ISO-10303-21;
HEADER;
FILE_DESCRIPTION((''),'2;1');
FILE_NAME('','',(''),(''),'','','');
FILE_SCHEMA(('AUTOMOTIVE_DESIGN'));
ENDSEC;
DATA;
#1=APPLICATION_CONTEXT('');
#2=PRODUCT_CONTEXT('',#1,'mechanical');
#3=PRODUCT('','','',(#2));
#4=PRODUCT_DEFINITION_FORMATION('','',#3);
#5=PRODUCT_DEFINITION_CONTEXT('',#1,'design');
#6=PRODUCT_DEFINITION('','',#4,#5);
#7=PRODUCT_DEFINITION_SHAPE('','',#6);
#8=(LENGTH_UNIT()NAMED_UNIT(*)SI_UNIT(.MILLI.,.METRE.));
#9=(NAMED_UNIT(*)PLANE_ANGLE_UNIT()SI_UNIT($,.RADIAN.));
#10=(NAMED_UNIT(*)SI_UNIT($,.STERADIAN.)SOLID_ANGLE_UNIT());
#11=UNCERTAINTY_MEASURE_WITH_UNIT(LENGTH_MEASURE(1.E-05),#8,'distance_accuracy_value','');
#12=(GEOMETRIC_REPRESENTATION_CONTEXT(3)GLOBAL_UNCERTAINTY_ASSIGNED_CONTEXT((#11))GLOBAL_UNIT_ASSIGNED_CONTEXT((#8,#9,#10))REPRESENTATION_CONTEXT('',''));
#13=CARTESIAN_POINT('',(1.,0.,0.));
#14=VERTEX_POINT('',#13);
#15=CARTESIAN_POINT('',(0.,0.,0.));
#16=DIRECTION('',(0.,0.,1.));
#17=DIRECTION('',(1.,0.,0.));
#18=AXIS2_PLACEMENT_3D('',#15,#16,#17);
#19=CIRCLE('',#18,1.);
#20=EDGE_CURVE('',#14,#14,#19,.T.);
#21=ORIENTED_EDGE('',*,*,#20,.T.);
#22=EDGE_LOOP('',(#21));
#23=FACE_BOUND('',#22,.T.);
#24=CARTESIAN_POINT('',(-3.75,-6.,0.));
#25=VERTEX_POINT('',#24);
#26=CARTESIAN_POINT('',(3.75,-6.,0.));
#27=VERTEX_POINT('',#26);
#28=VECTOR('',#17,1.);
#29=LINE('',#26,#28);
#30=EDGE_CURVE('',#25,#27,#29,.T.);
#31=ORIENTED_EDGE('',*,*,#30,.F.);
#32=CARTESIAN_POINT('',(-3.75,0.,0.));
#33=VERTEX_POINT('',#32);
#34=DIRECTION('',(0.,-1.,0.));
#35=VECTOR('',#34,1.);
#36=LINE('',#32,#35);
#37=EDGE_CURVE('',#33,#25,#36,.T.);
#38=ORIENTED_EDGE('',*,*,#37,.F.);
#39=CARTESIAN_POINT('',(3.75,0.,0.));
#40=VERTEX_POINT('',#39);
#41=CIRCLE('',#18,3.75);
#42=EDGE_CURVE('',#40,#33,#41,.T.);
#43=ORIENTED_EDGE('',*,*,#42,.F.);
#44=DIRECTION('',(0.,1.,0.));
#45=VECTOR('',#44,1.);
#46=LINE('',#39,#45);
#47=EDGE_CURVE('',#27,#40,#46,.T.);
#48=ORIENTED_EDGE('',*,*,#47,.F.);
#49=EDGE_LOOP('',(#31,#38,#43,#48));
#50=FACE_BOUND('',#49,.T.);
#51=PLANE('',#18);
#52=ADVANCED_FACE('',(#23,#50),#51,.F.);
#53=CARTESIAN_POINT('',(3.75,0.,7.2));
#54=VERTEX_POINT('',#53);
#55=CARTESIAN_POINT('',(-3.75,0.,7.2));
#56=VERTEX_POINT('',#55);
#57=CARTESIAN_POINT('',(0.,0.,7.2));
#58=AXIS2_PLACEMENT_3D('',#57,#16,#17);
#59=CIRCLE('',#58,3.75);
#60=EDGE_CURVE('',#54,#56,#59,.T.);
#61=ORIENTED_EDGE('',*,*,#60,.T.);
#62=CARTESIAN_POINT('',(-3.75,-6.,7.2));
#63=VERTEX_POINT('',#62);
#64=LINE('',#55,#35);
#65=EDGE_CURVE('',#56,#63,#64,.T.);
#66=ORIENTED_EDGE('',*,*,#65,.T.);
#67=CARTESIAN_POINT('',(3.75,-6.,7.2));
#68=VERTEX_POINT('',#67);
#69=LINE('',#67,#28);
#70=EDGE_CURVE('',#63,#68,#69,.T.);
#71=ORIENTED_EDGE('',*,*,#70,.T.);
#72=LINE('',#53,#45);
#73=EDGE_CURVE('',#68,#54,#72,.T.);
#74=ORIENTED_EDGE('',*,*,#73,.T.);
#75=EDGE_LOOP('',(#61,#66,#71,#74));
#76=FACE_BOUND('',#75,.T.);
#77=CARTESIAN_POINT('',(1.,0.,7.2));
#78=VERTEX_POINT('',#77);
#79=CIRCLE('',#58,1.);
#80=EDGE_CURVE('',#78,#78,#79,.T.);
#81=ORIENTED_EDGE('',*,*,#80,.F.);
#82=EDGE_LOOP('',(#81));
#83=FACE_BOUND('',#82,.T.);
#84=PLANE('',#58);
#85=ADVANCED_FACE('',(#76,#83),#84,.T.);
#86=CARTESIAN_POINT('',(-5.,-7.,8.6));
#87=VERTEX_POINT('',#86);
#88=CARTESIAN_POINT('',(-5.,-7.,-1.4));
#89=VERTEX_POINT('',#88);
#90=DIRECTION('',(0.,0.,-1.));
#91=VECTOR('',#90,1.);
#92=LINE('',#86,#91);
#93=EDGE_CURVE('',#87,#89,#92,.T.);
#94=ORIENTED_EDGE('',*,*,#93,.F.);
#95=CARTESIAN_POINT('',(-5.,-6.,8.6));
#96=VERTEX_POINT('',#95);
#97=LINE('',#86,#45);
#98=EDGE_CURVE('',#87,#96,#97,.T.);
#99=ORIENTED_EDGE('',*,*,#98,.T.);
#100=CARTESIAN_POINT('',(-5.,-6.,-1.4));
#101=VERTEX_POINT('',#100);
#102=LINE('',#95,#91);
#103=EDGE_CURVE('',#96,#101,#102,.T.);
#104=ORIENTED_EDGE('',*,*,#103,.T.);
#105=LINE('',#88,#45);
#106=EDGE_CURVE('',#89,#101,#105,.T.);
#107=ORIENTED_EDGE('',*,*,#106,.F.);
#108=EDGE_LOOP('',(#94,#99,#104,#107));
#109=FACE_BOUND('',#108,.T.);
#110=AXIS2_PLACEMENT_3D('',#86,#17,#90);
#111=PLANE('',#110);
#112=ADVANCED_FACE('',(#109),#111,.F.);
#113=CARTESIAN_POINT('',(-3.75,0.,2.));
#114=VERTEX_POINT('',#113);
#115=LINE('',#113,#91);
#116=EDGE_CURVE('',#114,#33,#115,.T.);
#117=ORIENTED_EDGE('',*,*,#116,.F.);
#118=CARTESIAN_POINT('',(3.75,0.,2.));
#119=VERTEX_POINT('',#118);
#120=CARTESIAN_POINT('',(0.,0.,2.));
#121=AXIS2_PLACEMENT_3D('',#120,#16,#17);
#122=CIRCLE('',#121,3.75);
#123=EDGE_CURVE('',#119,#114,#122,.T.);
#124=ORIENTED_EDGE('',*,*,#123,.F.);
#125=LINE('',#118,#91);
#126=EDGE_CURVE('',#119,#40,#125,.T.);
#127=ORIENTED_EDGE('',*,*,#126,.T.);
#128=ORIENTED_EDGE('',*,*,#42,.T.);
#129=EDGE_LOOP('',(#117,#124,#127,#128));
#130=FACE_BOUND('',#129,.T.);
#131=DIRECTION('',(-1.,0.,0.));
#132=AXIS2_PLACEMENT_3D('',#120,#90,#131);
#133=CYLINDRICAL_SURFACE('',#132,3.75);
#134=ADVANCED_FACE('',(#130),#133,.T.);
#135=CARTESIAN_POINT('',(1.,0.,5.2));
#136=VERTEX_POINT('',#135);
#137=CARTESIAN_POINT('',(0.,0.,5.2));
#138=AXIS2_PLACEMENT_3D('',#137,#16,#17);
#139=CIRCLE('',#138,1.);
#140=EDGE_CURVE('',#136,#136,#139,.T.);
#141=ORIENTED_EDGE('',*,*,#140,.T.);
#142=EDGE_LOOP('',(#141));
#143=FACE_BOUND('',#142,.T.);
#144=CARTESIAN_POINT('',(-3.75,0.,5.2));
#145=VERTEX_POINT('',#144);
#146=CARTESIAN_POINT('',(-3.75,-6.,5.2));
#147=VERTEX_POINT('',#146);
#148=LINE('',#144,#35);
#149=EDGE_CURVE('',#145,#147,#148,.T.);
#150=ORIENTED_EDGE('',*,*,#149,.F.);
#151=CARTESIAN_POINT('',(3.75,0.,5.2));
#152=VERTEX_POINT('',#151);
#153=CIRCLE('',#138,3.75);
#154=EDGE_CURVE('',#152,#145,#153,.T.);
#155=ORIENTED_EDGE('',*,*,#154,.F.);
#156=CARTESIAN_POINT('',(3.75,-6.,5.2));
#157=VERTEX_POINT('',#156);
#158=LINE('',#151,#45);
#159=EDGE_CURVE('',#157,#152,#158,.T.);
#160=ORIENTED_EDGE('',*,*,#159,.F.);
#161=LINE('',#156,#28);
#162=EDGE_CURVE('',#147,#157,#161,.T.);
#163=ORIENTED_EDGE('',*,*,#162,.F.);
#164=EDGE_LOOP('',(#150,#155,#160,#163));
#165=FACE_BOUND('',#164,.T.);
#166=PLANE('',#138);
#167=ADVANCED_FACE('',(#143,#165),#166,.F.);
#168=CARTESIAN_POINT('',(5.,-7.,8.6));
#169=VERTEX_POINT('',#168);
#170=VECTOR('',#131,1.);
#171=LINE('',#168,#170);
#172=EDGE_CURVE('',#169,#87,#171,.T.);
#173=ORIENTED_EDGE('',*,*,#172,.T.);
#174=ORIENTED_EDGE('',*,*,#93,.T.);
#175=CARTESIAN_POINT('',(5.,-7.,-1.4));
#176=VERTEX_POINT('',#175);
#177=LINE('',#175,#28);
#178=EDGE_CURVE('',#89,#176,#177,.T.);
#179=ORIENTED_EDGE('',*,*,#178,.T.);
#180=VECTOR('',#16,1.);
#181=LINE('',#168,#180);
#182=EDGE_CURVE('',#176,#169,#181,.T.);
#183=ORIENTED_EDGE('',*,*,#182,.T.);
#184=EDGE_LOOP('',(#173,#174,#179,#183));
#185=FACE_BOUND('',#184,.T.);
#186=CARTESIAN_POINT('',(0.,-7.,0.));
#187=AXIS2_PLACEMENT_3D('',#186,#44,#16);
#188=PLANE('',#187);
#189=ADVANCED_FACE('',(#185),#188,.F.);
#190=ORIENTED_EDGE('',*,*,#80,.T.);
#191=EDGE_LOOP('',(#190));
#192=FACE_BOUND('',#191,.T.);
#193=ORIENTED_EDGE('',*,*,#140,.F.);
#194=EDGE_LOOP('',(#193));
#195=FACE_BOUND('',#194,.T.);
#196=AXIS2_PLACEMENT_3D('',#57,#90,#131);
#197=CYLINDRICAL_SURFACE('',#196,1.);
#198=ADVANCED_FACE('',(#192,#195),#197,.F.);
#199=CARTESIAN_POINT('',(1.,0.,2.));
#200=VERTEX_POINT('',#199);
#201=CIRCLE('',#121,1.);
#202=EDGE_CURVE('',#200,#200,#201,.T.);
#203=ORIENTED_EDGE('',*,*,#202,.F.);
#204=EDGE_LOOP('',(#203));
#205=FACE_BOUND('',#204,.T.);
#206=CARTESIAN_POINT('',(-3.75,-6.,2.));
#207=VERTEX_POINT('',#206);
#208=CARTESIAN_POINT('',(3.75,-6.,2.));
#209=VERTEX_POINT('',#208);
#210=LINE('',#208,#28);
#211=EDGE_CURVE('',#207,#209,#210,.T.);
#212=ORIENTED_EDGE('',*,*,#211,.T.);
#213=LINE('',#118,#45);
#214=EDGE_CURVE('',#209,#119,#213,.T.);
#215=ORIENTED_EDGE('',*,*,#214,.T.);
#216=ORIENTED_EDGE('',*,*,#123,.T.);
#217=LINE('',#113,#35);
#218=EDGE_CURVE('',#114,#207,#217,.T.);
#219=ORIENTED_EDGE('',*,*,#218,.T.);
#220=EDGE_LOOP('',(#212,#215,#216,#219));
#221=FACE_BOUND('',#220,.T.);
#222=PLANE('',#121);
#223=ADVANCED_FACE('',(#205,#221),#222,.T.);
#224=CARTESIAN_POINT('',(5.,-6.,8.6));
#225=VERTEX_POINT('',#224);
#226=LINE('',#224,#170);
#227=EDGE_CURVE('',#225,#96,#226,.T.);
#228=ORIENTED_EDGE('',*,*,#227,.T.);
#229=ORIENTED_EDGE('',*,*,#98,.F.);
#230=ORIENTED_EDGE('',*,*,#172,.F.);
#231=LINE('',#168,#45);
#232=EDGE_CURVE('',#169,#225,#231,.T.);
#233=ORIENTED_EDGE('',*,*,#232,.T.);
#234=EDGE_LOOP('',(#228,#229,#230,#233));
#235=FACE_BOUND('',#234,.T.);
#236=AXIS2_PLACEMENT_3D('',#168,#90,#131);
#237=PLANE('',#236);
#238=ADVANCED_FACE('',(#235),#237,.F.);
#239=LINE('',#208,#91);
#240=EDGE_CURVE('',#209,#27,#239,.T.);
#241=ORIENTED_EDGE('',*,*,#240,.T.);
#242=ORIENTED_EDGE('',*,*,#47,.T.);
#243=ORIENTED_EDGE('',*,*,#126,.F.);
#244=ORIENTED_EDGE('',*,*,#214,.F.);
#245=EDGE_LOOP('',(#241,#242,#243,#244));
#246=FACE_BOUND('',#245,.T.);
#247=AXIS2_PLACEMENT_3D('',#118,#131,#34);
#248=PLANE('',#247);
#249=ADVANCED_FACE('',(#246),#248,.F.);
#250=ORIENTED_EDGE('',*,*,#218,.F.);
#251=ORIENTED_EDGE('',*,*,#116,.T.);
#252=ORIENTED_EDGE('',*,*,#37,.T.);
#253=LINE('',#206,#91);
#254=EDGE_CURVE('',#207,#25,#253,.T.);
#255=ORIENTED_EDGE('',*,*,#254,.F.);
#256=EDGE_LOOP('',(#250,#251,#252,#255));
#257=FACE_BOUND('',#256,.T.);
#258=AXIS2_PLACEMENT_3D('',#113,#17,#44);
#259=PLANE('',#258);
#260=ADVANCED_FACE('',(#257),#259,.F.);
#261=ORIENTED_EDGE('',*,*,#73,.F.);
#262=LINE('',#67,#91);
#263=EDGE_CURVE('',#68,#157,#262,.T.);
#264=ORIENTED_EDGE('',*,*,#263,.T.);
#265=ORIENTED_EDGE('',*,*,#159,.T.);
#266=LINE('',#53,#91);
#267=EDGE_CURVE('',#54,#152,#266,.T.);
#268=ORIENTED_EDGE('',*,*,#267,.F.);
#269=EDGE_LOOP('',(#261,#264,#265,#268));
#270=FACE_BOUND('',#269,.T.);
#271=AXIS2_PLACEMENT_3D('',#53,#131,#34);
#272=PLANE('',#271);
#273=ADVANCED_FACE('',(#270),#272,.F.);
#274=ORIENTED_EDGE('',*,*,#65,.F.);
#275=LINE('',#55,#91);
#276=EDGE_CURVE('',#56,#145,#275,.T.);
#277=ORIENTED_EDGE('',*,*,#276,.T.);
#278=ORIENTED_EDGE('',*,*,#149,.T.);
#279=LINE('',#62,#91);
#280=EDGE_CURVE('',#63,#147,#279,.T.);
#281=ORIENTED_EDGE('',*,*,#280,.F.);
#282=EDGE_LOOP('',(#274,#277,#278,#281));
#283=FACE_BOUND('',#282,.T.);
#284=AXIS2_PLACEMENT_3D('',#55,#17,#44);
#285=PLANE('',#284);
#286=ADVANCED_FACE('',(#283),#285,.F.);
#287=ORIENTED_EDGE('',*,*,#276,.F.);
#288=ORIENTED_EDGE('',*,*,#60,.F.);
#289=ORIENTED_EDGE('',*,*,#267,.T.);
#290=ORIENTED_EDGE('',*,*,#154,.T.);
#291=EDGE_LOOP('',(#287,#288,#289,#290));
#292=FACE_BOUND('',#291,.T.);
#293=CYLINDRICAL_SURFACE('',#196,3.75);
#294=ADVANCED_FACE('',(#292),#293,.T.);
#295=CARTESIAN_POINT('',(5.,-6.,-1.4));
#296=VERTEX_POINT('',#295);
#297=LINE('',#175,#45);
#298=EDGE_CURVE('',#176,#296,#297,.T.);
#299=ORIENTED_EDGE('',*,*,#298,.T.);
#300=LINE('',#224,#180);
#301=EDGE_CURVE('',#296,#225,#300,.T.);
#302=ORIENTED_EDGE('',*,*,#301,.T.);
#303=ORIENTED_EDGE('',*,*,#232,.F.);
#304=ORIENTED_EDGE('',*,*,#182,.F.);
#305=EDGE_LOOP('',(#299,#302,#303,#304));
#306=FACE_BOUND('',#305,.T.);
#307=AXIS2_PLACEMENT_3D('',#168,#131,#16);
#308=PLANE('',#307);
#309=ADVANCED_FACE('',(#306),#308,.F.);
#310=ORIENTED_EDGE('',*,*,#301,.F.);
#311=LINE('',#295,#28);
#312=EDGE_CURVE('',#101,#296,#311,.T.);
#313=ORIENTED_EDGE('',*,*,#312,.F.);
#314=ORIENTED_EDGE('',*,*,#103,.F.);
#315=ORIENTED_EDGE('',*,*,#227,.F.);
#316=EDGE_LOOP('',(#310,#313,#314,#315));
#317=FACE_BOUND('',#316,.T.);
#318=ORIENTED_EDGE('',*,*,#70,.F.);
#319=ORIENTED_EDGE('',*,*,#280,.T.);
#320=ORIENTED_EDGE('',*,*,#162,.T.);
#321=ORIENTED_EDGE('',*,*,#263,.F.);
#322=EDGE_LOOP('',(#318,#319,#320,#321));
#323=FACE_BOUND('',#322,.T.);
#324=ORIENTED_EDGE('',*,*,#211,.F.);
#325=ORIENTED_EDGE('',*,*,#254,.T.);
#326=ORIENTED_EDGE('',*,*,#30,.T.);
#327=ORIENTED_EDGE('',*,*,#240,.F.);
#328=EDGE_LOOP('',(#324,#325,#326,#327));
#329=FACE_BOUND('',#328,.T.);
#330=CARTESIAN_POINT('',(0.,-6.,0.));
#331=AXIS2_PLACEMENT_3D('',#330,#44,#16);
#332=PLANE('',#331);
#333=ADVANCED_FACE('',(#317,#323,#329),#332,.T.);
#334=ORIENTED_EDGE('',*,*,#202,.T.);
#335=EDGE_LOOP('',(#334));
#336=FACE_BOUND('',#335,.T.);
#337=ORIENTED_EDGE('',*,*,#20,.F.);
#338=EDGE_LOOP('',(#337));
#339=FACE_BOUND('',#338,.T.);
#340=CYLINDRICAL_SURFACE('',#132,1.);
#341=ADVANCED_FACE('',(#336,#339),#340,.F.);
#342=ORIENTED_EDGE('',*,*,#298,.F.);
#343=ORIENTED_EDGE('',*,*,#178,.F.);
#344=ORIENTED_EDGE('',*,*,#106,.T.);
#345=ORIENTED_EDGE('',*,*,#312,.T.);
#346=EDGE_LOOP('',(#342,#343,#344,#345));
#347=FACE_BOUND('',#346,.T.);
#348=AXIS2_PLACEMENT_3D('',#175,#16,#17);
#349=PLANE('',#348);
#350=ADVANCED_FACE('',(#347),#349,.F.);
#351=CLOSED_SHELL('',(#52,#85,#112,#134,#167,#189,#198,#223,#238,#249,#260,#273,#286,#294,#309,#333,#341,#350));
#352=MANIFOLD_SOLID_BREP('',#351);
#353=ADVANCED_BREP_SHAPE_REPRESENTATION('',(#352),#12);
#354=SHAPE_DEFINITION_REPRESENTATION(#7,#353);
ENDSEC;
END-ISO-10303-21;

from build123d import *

# Parameters (mm, degrees)
CROQUIS1_R              = 1
SALIENTE_EXTRUIR1_DEPTH = 2
MATRIZL1_COUNT          = 2
MATRIZL1_PITCH          = 5.2
CROQUIS2_W              = 10
CROQUIS2_H              = 10
SALIENTE_EXTRUIR2_DEPTH = 1


with BuildPart() as part:
    # Croquis1 → Saliente-Extruir1 (new body)
    with BuildSketch(Plane.XY):
        with BuildLine():
            Line((-3.75, 0), (-3.75, -6))
            Line((-3.75, -6), (3.75, -6))
            Line((3.75, -6), (3.75, 0))
            ThreePointArc((3.75, 0), (0, 3.75), (-3.75, 0))
        make_face()
        Circle(CROQUIS1_R, mode=Mode.SUBTRACT)
    extrude(amount=SALIENTE_EXTRUIR1_DEPTH)


with BuildPart() as matrizl1_1:
    # MatrizL1: pattern copy
    add(part.part.moved(Location(Vector(0, 0, 1) * (1 * MATRIZL1_PITCH))))


with BuildPart() as part_1:
    add(part.part)

    add(matrizl1_1.part)  # Saliente-Extruir2 merges MatrizL1_1
    # Croquis2 → Saliente-Extruir2 (add)
    with BuildSketch(Plane.XZ.offset(6)):
        with Locations((0, 3.6)):
            Rectangle(CROQUIS2_W, CROQUIS2_H)
    extrude(amount=SALIENTE_EXTRUIR2_DEPTH)


solid = part_1.part
